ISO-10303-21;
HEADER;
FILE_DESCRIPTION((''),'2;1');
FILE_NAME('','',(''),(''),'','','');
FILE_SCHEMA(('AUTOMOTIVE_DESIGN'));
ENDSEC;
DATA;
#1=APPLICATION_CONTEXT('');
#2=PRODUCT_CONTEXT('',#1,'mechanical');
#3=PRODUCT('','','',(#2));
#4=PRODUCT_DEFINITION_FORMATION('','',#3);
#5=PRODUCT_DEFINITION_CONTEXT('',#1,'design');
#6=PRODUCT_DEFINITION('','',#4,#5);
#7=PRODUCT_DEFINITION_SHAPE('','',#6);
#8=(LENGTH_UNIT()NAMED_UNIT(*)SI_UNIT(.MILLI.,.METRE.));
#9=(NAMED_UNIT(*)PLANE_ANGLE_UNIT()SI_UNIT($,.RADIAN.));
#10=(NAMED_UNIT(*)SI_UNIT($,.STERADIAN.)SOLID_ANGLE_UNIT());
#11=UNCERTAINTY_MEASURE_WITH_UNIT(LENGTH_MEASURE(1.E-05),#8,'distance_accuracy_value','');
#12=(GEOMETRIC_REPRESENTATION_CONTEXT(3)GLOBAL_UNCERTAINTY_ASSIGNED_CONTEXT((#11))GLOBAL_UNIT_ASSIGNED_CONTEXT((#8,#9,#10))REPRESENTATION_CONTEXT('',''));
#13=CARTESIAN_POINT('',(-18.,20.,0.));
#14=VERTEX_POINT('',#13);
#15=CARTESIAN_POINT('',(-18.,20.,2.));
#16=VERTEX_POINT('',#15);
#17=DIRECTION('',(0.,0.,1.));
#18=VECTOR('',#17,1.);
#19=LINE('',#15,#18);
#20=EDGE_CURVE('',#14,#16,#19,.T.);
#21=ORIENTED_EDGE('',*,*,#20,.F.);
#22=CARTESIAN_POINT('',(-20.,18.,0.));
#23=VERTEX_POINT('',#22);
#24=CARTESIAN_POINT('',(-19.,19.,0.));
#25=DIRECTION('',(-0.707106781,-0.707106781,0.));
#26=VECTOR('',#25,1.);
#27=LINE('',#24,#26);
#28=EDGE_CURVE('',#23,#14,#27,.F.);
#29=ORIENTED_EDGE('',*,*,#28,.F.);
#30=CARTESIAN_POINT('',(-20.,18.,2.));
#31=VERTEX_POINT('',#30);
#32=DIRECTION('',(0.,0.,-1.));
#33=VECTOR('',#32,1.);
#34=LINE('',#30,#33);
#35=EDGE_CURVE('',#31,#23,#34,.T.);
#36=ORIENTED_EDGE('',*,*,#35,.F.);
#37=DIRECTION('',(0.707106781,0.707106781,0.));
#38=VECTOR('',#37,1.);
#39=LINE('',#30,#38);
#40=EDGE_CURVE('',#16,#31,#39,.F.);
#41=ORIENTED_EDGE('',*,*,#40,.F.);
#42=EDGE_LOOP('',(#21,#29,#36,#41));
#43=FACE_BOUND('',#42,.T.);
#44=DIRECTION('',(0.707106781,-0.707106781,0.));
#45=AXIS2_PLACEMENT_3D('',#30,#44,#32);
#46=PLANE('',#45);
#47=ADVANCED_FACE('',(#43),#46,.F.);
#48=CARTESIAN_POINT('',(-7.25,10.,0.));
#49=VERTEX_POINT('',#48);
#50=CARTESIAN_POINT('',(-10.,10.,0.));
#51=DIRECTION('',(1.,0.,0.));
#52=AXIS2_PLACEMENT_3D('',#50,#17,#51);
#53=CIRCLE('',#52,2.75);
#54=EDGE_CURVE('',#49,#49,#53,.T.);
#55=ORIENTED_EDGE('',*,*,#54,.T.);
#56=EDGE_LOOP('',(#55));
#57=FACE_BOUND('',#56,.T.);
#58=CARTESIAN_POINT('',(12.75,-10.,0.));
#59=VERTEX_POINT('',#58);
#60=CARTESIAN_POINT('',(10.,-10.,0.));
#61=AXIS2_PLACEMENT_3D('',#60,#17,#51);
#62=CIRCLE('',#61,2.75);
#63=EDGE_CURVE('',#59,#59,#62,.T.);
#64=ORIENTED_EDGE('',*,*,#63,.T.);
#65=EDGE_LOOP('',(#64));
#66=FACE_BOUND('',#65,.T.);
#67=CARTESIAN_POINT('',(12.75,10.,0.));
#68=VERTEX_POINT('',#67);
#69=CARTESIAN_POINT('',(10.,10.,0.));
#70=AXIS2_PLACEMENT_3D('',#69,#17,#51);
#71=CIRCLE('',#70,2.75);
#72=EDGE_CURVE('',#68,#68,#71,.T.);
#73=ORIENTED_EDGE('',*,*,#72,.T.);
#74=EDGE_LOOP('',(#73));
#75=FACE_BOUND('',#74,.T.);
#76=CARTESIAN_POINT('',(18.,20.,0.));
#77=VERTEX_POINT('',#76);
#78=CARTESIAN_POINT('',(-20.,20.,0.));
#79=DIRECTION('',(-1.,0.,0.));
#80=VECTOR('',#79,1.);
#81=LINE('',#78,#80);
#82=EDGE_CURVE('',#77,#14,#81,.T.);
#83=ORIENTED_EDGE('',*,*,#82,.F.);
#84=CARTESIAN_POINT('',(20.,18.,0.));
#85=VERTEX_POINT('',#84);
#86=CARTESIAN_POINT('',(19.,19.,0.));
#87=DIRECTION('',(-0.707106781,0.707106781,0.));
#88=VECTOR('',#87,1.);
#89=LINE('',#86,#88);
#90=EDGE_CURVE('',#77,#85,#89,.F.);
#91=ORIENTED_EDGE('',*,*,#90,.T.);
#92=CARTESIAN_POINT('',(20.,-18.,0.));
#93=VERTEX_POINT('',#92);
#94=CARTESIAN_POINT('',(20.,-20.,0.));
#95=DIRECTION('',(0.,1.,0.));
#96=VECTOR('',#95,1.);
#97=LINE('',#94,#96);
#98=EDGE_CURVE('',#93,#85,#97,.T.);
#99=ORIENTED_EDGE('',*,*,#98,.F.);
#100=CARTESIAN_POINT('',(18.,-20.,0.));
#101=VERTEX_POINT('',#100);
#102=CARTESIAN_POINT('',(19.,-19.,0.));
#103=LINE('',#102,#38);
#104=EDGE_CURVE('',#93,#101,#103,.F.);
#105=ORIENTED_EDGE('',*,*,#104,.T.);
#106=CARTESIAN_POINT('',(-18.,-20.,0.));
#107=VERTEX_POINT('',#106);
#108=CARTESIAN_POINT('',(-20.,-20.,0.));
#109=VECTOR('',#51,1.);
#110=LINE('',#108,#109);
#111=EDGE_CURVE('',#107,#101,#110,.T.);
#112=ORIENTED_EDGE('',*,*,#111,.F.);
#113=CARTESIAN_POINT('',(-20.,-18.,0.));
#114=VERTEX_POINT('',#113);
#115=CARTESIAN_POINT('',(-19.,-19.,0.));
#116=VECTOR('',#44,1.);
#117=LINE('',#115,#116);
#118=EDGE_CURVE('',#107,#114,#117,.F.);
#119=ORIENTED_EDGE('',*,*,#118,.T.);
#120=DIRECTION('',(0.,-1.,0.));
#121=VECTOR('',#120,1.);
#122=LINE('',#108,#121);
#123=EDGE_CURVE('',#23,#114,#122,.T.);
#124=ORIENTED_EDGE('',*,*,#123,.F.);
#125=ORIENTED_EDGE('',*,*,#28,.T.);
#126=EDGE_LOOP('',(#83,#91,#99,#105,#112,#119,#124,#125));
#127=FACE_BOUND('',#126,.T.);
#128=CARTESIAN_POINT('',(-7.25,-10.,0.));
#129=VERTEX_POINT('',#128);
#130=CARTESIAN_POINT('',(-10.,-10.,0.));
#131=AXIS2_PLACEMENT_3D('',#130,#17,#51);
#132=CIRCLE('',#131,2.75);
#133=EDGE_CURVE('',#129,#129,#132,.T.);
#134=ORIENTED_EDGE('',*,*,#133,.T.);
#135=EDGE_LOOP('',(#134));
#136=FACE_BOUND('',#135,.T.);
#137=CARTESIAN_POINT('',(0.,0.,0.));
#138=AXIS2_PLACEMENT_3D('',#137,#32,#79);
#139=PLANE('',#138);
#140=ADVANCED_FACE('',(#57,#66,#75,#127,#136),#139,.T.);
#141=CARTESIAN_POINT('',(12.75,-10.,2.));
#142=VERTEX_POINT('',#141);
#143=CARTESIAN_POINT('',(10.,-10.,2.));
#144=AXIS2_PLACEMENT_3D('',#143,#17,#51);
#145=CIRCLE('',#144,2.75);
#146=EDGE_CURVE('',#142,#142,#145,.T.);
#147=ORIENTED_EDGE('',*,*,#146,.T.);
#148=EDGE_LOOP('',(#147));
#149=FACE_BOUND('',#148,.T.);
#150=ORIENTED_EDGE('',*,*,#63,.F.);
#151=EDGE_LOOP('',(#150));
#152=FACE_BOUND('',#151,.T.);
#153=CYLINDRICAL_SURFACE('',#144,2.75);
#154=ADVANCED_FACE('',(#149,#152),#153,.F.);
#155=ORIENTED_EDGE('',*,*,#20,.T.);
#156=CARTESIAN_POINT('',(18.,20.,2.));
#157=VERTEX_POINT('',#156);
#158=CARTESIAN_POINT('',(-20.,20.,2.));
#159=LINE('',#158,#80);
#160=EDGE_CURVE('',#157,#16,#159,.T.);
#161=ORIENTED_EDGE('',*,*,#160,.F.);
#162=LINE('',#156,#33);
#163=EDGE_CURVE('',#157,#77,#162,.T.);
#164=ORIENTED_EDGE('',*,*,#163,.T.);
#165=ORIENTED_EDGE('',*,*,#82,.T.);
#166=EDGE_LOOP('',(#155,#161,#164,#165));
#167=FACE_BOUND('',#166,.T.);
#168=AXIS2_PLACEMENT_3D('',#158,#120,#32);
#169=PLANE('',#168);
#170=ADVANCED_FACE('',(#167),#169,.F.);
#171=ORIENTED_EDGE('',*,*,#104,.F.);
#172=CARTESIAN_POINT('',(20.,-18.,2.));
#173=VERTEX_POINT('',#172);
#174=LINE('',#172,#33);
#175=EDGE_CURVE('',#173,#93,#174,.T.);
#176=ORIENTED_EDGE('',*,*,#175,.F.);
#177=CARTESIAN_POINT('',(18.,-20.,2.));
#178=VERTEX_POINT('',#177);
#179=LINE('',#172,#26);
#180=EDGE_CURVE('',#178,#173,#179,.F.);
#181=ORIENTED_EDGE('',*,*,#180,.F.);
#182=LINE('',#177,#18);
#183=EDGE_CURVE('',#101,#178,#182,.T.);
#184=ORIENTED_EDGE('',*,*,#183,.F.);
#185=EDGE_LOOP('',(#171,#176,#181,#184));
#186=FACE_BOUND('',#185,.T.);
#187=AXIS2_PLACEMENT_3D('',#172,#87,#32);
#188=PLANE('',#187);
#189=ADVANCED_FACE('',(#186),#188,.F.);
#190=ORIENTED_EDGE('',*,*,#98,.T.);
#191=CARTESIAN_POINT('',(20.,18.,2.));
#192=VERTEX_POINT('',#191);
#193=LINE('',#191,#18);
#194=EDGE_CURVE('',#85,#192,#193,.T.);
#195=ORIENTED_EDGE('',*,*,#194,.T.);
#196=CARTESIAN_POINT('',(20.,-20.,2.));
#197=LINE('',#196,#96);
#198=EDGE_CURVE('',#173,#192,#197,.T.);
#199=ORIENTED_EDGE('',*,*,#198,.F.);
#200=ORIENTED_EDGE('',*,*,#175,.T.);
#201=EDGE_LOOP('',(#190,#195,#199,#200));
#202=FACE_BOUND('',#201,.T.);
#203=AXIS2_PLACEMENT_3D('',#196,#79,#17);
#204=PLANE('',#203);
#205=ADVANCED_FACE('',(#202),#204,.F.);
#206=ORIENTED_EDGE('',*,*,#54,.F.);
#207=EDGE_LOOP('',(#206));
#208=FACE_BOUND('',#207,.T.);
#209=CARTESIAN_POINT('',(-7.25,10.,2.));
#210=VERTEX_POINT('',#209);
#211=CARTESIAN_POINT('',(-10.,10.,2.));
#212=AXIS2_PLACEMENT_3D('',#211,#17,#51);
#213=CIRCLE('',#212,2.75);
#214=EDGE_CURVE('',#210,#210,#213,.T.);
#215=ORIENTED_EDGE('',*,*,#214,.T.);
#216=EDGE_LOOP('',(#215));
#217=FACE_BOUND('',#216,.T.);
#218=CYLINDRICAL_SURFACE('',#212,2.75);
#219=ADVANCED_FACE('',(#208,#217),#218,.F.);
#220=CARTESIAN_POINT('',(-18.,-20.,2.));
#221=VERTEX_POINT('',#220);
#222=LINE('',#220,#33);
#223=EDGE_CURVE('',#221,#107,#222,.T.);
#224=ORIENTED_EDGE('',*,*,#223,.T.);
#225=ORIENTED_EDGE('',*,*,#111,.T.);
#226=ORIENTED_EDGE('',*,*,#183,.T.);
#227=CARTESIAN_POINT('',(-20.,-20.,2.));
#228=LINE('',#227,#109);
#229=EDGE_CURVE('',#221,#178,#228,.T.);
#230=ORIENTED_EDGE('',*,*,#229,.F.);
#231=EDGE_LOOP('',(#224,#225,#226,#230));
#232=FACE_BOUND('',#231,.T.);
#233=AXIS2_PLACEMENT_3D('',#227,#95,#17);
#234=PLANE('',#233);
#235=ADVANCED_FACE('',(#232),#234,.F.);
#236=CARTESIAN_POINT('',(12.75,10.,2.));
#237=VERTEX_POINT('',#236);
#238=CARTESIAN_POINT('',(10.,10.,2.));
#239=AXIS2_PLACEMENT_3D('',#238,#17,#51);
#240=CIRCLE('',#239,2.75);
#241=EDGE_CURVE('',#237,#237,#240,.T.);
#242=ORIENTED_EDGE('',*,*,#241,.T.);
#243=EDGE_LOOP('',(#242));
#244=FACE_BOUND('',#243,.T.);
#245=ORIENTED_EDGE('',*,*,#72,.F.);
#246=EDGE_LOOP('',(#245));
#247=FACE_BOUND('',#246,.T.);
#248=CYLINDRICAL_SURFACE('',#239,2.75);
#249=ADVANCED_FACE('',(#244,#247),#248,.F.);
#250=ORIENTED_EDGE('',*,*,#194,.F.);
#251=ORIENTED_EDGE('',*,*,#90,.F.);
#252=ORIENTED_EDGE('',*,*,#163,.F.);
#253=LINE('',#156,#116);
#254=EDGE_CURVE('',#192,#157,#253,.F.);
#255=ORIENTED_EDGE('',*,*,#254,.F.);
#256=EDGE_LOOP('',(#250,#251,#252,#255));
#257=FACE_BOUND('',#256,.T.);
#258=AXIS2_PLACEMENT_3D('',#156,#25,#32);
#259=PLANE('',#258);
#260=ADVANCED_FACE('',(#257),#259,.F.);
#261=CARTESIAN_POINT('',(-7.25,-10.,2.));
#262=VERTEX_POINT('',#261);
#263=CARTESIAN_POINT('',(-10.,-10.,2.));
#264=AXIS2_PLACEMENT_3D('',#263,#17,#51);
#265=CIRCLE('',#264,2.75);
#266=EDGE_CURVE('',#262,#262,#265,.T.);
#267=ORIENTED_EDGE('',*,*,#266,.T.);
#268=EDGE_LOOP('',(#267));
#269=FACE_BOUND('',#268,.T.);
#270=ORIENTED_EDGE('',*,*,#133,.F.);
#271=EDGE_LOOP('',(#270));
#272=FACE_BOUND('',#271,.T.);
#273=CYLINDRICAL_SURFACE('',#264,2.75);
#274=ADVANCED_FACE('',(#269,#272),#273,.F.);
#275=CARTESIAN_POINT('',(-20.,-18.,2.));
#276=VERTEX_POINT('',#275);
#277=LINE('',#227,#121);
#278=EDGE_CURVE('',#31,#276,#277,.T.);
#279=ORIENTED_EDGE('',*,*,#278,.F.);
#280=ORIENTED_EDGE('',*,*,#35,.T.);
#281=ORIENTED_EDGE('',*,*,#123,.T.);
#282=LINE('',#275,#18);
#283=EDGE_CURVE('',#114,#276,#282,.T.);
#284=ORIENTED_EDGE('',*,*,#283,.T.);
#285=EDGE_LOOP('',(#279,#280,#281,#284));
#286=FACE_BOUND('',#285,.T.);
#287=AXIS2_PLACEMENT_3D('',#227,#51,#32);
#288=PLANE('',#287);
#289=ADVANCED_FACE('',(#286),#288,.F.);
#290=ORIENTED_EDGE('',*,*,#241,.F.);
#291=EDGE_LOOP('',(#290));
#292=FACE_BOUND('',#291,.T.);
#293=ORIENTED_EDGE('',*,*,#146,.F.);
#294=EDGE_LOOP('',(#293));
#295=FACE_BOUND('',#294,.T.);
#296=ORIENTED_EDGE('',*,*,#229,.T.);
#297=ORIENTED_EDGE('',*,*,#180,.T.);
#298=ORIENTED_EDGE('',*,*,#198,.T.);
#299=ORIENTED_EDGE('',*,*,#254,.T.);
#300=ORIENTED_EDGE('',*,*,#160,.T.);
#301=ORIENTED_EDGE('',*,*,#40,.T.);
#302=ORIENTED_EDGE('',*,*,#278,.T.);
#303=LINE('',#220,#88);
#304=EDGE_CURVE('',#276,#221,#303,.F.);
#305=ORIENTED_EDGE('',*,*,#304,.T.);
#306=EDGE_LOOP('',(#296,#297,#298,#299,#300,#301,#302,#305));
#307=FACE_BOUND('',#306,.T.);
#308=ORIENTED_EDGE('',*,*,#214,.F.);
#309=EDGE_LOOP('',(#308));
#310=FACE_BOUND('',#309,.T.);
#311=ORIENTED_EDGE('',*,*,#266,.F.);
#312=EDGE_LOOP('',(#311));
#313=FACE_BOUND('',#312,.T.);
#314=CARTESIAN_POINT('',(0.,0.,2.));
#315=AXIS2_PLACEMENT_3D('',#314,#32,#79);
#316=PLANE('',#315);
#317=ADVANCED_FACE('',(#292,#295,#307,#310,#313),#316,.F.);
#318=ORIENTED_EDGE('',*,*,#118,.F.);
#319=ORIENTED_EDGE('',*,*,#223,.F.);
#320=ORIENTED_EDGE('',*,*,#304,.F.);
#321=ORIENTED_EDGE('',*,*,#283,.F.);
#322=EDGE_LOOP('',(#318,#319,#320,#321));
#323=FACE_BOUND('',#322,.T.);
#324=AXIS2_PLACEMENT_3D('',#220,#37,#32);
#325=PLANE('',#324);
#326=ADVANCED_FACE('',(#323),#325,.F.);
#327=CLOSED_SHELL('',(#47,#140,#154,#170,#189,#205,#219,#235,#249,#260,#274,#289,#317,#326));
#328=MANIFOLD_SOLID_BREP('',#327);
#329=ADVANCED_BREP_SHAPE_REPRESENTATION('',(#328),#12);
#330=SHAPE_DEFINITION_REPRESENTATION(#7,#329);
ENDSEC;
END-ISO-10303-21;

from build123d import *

# Parameters (mm, degrees)
SKETCH_1_W        = 40
SKETCH_1_H        = 40
EXTRUDE_1_DEPTH   = 2
CHAMFER_1_SIZE    = 2
HOLE_WIZARD_M51_D = 5.5


with BuildPart() as part:
    # Эскиз1 → Бобышка-Вытянуть1 (new body)
    with BuildSketch(Plane.XY):
        Rectangle(SKETCH_1_W, SKETCH_1_H)
    extrude(amount=EXTRUDE_1_DEPTH)

    # Фаска1
    chamfer_1_edges = [part.edges().sort_by_distance(p)[0] for p in [
        (20, -20, 1),
        (-20, -20, 1),
        (-20, 20, 1),
        (20, 20, 1),
    ]]
    chamfer(chamfer_1_edges, length=CHAMFER_1_SIZE)

    # Отверстие с зазором M51 (through all)
    with Locations(Plane.XY.offset(2)):
        with Locations((-10, 10), (10, 10), (-10, -10), (10, -10), (-10, 30), (10, 30), (10, -30), (-10, -30)):
            Hole(HOLE_WIZARD_M51_D / 2)


solid = part.part
